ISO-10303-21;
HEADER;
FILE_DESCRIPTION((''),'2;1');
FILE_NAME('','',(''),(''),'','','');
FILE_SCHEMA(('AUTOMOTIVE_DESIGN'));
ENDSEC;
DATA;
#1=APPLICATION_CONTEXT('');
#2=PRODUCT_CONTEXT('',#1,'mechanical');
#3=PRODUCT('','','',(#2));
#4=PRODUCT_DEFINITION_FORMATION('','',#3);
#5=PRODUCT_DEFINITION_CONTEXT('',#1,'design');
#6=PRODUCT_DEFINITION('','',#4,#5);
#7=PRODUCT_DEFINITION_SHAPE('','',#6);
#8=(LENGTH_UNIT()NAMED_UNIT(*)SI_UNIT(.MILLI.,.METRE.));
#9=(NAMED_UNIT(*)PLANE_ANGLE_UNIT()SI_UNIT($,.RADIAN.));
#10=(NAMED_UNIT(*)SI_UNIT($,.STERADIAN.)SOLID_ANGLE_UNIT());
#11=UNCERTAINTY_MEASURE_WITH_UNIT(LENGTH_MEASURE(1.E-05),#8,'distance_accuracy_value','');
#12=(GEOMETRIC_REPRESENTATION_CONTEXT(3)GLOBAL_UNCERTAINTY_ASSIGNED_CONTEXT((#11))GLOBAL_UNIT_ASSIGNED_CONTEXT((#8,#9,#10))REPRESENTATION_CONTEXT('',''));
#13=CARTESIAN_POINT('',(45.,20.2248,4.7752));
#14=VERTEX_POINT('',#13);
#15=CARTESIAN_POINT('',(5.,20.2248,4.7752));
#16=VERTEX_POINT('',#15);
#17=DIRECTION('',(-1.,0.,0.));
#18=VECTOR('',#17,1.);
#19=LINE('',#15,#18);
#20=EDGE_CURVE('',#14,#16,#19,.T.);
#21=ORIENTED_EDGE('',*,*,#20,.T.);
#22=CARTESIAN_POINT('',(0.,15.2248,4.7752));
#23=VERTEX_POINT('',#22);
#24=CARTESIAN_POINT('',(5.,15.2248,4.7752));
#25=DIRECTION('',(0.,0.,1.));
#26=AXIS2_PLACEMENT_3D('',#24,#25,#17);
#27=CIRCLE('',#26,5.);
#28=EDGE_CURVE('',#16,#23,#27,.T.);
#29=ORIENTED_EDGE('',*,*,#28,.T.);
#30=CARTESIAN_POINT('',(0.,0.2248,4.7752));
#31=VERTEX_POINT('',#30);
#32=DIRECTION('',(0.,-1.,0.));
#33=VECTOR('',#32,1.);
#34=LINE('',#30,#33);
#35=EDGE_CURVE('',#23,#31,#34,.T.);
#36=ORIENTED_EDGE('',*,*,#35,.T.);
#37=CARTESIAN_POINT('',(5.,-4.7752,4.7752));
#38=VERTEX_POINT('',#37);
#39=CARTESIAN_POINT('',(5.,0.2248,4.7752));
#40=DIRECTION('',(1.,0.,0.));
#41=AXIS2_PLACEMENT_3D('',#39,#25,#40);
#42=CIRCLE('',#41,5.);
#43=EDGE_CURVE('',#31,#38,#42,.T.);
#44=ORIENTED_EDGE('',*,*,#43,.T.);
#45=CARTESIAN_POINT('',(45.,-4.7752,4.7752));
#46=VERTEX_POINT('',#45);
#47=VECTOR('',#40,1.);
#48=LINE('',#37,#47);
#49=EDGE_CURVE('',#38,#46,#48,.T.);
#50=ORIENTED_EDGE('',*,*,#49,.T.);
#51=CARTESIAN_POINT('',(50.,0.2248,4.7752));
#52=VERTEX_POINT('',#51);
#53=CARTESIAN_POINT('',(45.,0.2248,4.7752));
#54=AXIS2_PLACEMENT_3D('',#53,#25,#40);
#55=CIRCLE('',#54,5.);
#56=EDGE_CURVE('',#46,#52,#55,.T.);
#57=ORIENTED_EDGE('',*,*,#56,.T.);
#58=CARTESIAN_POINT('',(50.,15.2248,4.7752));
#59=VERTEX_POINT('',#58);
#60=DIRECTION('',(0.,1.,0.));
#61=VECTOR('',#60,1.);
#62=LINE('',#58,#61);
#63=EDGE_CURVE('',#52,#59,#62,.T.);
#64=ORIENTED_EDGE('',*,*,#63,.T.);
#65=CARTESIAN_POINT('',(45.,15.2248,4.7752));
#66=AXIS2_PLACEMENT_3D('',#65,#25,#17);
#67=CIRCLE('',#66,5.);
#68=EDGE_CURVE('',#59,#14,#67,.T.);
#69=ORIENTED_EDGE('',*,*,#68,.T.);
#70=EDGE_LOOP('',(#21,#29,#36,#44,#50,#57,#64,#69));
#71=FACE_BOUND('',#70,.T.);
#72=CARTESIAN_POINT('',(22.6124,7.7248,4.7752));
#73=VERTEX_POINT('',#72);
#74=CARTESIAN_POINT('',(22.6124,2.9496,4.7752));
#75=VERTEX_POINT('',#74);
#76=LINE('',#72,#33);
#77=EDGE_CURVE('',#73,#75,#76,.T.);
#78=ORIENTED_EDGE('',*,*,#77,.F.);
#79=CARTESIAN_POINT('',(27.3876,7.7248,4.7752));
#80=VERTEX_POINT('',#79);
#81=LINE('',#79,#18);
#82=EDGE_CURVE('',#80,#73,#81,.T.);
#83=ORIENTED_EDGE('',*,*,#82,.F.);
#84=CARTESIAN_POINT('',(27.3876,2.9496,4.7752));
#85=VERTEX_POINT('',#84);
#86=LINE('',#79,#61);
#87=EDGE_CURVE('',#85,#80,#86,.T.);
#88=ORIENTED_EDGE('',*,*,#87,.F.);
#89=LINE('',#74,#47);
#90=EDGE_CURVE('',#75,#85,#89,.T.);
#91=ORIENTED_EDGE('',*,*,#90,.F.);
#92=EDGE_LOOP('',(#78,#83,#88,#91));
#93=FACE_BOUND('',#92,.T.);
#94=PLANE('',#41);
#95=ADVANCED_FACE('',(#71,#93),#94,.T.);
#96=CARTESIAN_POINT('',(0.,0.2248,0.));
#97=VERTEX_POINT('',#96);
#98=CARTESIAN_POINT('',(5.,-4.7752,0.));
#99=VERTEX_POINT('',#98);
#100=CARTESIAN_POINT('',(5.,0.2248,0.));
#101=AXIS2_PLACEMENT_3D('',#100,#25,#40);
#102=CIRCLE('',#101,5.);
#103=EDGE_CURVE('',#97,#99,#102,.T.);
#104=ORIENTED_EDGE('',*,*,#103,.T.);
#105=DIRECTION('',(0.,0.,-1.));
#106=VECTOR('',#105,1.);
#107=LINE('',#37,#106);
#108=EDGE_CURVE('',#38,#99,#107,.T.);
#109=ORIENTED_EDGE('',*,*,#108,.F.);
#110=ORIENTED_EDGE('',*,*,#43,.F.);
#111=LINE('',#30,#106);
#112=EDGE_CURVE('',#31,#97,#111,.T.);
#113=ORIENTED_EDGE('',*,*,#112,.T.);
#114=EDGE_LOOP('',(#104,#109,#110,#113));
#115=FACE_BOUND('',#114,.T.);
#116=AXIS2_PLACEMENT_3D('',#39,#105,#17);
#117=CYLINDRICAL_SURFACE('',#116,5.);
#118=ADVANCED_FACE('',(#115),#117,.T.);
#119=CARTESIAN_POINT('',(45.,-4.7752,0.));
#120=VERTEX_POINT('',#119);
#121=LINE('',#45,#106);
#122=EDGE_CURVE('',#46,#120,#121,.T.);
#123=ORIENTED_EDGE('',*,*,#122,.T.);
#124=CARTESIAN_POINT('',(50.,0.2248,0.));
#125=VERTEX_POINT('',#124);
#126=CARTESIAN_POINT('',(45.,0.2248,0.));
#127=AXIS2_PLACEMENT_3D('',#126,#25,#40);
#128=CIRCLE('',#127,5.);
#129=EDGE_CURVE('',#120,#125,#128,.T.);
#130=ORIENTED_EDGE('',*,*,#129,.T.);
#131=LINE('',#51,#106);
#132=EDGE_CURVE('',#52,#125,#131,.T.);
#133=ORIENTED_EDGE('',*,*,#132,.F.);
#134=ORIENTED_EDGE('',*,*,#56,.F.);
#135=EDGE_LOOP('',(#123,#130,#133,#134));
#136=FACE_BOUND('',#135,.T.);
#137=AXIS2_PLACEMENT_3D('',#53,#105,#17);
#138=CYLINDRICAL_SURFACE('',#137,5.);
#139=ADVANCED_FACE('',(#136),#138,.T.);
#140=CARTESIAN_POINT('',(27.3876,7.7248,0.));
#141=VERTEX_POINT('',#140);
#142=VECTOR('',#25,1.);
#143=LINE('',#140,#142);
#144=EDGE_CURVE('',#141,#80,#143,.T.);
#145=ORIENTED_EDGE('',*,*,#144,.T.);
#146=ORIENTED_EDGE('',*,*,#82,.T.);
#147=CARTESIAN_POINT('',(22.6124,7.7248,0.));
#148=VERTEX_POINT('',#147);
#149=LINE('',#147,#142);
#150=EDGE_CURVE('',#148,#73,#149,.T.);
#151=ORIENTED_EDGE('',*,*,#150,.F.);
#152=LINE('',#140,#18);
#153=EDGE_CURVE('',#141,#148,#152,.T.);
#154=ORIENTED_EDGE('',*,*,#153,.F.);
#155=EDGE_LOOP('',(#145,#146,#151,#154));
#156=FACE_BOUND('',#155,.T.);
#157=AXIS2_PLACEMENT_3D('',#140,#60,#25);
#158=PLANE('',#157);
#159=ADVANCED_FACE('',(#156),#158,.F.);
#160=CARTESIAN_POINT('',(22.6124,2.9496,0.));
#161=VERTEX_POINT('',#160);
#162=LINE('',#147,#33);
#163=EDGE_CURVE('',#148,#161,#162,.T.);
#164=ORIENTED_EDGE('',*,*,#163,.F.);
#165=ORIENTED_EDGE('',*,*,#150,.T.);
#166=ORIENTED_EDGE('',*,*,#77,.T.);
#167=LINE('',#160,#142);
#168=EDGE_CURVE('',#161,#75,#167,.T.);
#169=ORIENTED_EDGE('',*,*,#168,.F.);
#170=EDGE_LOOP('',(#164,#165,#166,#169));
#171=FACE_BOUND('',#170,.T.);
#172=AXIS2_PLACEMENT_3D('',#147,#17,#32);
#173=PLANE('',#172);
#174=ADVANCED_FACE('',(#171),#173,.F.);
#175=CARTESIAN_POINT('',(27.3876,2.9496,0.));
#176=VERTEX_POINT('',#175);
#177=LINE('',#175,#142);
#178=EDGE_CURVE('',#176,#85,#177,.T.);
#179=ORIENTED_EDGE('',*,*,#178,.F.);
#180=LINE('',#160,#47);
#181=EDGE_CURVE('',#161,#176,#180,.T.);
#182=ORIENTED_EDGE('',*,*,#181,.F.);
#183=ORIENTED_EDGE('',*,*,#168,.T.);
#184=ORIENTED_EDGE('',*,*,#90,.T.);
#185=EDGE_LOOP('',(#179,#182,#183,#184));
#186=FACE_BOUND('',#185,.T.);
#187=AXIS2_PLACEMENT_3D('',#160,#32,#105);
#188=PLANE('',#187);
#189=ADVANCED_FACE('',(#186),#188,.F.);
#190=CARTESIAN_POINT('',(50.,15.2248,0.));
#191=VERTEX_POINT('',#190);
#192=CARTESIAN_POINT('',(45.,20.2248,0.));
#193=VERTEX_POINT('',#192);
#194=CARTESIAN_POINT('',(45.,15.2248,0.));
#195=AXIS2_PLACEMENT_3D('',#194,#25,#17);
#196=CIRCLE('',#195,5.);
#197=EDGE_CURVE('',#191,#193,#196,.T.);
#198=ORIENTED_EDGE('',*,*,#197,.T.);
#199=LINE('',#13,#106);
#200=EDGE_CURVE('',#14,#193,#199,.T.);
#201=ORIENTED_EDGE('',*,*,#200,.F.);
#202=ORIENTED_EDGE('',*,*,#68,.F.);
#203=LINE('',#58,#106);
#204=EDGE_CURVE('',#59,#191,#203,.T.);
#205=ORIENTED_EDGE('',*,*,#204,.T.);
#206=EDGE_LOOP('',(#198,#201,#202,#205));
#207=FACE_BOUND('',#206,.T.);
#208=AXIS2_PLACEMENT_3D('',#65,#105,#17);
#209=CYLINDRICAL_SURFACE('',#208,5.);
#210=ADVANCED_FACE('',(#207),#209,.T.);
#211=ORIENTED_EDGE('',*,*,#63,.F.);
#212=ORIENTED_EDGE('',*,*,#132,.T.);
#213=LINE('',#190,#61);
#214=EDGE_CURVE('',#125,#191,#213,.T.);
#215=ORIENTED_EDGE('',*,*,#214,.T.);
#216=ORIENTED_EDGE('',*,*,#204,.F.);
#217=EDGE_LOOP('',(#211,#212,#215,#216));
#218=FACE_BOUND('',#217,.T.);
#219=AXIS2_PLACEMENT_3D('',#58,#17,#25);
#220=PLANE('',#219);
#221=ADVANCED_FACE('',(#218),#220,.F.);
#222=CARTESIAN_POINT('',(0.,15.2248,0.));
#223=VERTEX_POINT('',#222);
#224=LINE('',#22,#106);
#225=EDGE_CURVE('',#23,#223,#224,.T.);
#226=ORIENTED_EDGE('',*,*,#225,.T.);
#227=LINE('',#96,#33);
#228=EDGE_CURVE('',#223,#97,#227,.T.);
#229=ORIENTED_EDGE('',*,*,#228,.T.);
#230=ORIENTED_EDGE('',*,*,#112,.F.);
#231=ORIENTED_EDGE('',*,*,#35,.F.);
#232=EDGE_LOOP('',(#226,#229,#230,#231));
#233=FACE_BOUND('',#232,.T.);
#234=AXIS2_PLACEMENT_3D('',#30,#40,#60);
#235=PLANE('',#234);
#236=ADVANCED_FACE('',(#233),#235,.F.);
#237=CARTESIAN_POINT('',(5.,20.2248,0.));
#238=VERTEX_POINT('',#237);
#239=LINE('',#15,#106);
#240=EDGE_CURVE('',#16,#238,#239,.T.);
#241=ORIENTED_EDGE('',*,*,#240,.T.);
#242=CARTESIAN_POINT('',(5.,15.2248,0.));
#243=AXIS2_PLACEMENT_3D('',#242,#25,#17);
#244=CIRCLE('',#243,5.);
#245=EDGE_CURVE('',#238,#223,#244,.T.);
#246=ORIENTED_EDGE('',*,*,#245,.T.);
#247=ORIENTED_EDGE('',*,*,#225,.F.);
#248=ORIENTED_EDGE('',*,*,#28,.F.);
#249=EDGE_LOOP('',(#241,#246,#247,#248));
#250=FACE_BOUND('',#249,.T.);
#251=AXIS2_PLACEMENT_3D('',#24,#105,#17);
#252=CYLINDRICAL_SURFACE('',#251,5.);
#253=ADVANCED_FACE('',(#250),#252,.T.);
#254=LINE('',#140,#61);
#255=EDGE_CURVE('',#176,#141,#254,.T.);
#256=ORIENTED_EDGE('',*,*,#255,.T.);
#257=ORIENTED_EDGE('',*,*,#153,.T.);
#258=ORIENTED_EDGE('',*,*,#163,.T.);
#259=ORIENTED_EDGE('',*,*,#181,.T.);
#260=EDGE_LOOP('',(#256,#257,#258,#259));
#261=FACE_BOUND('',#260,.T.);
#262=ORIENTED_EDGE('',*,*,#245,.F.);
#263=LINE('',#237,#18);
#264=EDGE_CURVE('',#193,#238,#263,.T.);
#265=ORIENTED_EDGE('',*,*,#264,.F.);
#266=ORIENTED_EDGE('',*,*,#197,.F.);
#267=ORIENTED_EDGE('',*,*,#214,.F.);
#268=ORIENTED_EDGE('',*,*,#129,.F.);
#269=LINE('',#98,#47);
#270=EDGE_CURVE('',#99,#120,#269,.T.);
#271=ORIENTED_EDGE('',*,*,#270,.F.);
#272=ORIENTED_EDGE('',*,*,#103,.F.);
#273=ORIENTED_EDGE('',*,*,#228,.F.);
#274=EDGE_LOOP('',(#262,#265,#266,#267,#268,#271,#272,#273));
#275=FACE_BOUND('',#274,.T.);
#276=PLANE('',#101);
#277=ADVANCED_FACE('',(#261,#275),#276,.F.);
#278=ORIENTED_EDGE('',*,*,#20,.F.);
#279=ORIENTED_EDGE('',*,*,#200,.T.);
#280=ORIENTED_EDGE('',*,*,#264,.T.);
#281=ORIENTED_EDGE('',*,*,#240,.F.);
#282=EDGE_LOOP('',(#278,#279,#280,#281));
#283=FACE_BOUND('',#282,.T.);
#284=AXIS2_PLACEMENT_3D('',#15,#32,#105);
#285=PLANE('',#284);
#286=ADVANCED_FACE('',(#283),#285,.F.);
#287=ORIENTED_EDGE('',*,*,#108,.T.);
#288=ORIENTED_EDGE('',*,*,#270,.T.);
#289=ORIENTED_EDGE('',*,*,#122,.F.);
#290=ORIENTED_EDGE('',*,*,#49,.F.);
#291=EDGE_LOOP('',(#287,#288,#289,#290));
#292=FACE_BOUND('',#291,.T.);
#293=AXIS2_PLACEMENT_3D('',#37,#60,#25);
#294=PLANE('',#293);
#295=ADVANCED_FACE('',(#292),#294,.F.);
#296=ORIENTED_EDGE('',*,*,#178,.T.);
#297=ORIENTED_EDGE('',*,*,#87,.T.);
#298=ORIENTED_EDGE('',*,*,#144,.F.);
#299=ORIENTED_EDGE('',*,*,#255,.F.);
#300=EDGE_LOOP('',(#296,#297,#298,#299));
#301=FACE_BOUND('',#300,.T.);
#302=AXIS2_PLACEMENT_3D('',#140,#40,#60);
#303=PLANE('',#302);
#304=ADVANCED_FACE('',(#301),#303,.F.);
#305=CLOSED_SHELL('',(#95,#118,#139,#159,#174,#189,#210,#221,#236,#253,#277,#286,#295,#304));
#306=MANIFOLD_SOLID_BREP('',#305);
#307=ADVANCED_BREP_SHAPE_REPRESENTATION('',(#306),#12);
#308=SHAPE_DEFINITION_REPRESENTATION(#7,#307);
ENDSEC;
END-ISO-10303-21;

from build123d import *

# Parameters (mm, degrees)
BOSS_EXTRUDE1_DEPTH = 4.7752
SKETCH2_W           = 4.7752
SKETCH2_H           = 4.7752
CUT_EXTRUDE1_DEPTH  = 5.7752


with BuildPart() as part:
    # Sketch1 → Boss-Extrude1 (new body)
    with BuildSketch(Plane.XY):
        with BuildLine():
            Line((5, -4.7752), (45, -4.7752))
            ThreePointArc((45, -4.7752), (48.535533906, -3.310733906), (50, 0.2248))
            Line((50, 0.2248), (50, 15.2248))
            ThreePointArc((50, 15.2248), (48.535533906, 18.760333906), (45, 20.2248))
            Line((45, 20.2248), (5, 20.2248))
            ThreePointArc((5, 20.2248), (1.464466094, 18.760333906), (0, 15.2248))
            Line((0, 15.2248), (0, 0.2248))
            ThreePointArc((0, 0.2248), (1.464466094, -3.310733906), (5, -4.7752))
        make_face()
    extrude(amount=BOSS_EXTRUDE1_DEPTH)

    # Sketch2 → Cut-Extrude1 (cut, through all)
    with BuildSketch(Plane.XY.offset(4.7752)):
        with Locations((25, 5.3372)):
            Rectangle(SKETCH2_W, SKETCH2_H)
    extrude(amount=-CUT_EXTRUDE1_DEPTH, mode=Mode.SUBTRACT)


solid = part.part
